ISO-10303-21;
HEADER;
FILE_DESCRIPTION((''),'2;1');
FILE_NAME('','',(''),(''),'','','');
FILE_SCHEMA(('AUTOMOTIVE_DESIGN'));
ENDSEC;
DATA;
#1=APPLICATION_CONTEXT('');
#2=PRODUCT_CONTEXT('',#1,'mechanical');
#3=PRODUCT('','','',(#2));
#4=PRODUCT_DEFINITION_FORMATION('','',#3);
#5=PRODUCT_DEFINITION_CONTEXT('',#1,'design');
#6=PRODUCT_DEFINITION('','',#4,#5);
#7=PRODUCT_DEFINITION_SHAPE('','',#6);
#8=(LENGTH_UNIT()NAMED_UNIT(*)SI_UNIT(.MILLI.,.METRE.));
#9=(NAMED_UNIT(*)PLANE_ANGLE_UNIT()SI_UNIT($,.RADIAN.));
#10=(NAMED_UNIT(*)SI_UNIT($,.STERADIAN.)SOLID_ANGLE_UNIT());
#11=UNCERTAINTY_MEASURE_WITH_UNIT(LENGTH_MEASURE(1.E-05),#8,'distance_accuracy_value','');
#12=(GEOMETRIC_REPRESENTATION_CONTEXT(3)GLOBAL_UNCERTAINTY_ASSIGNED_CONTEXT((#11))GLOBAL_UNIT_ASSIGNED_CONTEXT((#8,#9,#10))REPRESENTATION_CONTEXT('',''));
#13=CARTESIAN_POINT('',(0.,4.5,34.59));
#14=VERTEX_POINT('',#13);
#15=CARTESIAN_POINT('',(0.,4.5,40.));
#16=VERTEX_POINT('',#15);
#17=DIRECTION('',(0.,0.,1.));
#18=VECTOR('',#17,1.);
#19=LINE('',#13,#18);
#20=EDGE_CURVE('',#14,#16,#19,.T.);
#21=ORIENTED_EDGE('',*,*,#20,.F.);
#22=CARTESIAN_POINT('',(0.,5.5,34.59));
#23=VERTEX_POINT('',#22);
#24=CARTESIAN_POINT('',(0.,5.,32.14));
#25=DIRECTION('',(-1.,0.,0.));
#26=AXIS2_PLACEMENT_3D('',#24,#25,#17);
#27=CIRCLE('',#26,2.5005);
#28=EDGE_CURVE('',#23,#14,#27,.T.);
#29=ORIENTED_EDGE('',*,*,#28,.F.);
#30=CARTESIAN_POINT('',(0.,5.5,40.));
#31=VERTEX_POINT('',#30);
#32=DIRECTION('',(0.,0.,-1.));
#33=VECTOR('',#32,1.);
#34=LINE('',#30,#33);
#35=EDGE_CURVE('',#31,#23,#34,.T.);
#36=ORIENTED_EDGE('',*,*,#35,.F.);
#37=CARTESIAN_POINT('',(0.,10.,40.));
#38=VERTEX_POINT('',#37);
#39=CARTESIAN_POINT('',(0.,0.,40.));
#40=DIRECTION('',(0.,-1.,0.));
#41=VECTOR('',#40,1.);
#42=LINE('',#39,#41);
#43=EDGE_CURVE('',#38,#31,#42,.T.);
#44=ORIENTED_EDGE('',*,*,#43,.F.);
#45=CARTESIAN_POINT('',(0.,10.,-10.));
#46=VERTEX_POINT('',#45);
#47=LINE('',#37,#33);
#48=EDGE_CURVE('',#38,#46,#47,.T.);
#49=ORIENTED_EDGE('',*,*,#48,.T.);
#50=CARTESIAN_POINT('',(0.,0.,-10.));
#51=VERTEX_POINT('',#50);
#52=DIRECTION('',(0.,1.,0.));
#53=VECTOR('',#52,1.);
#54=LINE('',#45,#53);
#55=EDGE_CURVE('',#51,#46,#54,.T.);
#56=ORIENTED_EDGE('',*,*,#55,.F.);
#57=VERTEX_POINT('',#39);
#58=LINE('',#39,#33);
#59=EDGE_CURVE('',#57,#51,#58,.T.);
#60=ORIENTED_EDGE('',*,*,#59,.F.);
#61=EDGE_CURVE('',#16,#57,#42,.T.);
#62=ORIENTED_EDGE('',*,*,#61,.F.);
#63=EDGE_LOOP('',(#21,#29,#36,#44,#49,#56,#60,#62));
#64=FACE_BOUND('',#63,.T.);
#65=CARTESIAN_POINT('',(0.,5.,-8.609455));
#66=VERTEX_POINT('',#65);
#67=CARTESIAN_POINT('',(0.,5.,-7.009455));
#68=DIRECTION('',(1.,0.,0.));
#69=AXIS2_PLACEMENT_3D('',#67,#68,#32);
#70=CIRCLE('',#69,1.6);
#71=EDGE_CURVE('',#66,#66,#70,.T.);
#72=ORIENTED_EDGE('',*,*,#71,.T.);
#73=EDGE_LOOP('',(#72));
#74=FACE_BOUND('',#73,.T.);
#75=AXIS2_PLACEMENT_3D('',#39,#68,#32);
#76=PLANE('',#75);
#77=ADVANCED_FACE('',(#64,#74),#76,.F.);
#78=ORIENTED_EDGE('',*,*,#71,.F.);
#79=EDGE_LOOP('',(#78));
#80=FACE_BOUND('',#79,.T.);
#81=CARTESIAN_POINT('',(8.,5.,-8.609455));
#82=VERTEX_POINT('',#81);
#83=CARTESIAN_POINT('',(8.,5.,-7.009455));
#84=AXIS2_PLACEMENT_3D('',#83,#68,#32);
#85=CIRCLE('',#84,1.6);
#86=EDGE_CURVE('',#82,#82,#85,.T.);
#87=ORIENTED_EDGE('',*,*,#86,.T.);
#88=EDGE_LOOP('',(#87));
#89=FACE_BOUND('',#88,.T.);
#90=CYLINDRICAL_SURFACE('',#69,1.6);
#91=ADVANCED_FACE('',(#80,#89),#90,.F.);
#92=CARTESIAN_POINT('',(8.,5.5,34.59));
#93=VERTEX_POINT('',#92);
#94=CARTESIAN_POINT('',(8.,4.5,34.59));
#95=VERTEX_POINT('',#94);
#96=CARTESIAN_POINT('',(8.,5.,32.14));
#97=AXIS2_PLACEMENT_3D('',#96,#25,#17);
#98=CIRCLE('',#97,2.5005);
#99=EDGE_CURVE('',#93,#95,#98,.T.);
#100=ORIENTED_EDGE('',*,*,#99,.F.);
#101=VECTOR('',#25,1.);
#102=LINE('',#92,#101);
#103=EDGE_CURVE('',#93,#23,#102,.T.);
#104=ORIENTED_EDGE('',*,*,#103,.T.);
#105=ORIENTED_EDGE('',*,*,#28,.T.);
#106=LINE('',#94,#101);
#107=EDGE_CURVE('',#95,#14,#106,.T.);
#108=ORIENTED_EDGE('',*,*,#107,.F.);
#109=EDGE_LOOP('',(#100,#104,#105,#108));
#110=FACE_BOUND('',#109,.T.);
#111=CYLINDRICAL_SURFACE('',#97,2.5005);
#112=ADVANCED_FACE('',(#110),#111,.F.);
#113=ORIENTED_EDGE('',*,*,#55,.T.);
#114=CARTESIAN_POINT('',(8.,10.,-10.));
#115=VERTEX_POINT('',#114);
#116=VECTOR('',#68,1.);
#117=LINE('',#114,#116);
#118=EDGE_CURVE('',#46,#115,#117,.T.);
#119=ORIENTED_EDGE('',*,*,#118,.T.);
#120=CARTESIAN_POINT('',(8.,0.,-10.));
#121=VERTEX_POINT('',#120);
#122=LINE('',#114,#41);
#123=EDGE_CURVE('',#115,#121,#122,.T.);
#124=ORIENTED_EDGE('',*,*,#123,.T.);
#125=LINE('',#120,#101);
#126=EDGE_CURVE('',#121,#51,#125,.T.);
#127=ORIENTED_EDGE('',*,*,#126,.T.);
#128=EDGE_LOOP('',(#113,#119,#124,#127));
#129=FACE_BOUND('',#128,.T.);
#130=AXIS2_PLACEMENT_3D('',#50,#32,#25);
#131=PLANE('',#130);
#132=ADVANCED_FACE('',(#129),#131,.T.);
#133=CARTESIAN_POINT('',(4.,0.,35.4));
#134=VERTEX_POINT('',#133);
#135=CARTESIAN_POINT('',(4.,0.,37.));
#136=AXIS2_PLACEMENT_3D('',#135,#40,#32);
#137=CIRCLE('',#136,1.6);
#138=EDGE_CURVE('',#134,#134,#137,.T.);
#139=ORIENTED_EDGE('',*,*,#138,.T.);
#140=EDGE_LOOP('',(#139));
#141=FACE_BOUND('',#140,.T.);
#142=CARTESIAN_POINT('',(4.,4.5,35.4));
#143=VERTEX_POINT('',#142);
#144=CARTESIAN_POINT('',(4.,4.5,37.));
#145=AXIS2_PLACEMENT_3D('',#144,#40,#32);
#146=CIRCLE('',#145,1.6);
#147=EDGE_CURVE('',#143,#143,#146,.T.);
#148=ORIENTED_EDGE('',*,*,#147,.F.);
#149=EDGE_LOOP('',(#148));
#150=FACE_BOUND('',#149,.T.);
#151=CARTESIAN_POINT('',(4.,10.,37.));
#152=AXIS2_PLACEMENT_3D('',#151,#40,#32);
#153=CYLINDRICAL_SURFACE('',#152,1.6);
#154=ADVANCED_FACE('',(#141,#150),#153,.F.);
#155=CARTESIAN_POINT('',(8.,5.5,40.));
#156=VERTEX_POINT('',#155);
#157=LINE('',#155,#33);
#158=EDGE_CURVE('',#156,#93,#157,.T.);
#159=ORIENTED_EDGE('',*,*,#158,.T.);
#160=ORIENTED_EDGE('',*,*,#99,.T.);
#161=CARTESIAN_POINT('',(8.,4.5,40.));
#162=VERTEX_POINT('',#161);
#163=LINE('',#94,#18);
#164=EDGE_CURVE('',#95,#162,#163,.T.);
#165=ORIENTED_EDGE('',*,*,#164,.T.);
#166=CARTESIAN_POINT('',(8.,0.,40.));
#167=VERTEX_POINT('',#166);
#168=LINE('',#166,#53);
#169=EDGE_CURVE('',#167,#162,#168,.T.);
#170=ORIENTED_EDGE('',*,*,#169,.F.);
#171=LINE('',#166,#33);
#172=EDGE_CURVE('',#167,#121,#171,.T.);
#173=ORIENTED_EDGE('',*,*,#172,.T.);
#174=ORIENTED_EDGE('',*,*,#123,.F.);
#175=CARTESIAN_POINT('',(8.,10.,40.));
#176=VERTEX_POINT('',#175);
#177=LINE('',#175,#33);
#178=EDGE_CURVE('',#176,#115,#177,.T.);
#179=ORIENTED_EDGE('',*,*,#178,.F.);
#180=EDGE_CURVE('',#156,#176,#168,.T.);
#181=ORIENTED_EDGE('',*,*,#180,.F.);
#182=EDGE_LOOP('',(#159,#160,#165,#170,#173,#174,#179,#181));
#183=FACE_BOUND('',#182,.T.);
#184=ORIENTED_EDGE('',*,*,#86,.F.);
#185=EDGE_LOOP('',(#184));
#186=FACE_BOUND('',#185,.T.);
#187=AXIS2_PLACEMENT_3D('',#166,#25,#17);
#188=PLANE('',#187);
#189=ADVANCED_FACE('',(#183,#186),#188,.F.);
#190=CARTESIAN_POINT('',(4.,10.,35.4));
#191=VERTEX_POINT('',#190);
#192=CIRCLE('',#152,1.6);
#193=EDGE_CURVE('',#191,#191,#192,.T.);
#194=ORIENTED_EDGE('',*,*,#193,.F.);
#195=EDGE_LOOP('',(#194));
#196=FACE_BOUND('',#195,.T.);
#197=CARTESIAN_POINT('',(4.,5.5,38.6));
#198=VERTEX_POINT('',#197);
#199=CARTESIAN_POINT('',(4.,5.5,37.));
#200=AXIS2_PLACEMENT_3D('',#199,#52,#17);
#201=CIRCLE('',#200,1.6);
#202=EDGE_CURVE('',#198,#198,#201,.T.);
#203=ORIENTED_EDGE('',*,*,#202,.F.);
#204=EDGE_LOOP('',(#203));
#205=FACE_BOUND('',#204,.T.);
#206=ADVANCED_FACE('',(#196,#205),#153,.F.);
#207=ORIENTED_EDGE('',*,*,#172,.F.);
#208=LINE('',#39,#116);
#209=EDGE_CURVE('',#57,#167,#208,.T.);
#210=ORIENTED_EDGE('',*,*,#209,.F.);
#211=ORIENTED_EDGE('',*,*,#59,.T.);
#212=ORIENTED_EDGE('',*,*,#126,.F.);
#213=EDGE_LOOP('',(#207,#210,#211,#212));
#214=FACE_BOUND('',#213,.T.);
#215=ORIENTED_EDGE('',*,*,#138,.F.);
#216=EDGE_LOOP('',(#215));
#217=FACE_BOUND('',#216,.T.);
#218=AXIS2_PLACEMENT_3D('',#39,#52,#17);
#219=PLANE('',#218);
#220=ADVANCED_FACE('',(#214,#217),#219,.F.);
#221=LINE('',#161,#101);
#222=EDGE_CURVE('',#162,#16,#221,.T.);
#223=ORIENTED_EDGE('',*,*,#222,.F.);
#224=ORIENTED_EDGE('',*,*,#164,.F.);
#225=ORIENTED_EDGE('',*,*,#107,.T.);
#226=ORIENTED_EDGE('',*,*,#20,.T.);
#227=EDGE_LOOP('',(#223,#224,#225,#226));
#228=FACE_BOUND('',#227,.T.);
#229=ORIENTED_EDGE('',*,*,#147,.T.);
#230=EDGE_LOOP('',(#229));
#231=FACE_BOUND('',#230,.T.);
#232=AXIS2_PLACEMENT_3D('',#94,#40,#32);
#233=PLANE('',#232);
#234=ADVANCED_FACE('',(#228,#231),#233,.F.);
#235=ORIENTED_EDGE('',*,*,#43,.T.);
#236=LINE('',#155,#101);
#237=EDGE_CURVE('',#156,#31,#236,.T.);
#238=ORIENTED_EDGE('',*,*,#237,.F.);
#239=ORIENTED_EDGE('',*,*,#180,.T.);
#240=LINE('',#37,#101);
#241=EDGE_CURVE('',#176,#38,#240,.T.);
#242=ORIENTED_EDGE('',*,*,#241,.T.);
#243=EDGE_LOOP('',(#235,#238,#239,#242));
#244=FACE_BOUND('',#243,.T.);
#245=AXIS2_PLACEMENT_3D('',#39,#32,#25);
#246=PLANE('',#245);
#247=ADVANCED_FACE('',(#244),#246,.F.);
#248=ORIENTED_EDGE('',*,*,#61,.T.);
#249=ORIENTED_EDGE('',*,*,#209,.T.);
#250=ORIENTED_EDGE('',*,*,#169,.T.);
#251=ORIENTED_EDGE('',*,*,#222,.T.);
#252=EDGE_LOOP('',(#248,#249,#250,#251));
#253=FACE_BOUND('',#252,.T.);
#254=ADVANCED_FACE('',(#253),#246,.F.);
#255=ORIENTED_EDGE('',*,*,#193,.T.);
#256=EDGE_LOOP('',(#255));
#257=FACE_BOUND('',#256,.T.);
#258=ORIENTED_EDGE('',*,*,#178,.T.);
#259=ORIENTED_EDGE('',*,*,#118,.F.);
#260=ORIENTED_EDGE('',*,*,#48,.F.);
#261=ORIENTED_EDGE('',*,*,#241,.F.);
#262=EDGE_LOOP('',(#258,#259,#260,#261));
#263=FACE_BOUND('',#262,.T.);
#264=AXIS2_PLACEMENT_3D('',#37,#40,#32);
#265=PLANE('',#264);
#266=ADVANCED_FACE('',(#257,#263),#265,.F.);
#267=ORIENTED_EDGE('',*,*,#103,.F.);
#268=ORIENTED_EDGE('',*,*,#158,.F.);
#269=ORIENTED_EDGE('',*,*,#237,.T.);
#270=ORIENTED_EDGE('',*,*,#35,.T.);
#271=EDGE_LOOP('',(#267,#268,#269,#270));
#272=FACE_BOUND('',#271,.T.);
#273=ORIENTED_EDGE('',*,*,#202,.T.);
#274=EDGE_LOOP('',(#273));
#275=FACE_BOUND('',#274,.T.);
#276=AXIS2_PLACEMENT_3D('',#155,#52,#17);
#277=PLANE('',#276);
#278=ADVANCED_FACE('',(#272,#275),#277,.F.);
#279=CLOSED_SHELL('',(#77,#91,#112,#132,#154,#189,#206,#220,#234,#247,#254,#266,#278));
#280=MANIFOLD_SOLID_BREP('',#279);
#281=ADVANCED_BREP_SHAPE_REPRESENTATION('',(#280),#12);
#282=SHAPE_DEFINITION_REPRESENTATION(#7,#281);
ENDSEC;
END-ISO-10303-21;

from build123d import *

# Parameters (mm, degrees)
SKETCH_1_W          = 8
SKETCH_1_H          = 10
EXTRUDE_1_DEPTH     = 40
SKETCH_5_W          = 8
SKETCH_5_H          = 10
EXTRUDE_2_DEPTH     = 10
SKETCH_7_R          = 1.6
CUT_EXTRUDE_4_DEPTH = 9
CUT_EXTRUDE_6_DEPTH = 9
SKETCH_3_R          = 1.6
CUT_EXTRUDE_7_DEPTH = 11


with BuildPart() as part:
    # 草图1 → 凸台-拉伸1 (new body)
    with BuildSketch(Plane.XY):
        with Locations((4, 5)):
            Rectangle(SKETCH_1_W, SKETCH_1_H)
    extrude(amount=EXTRUDE_1_DEPTH)

    # 草图5 → 凸台-拉伸2 (add)
    with BuildSketch(Plane(origin=(0, 0, 0), x_dir=(-1, 0, 0), z_dir=(0, 0, -1))):
        with Locations((-4, 5)):
            Rectangle(SKETCH_5_W, SKETCH_5_H)
    extrude(amount=EXTRUDE_2_DEPTH)

    # 草图7 → 切除-拉伸4 (cut, through all)
    with BuildSketch(Plane(origin=(8, 0, 0), x_dir=(0, 0, -1), z_dir=(1, 0, 0))):
        with Locations((7.0094551, 5)):
            Circle(SKETCH_7_R)
    extrude(amount=-CUT_EXTRUDE_4_DEPTH, mode=Mode.SUBTRACT)

    # 草图10 → 切除-拉伸6 (cut, through all)
    with BuildSketch(Plane.ZY):
        with BuildLine():
            Line((40, 5), (40, 5.5))
            Line((40, 5.5), (34.59, 5.5))
            ThreePointArc((34.59, 5.5), (29.63950005, 5), (34.59, 4.5))
            Line((34.59, 4.5), (40, 4.5))
            Line((40, 4.5), (40, 5))
        make_face()
    extrude(amount=-CUT_EXTRUDE_6_DEPTH, mode=Mode.SUBTRACT)

    # 草图3 → 切除-拉伸7 (cut, through all)
    with BuildSketch(Plane.XZ):
        with Locations((4, 37)):
            Circle(SKETCH_3_R)
    extrude(amount=-CUT_EXTRUDE_7_DEPTH, mode=Mode.SUBTRACT)


solid = part.part
